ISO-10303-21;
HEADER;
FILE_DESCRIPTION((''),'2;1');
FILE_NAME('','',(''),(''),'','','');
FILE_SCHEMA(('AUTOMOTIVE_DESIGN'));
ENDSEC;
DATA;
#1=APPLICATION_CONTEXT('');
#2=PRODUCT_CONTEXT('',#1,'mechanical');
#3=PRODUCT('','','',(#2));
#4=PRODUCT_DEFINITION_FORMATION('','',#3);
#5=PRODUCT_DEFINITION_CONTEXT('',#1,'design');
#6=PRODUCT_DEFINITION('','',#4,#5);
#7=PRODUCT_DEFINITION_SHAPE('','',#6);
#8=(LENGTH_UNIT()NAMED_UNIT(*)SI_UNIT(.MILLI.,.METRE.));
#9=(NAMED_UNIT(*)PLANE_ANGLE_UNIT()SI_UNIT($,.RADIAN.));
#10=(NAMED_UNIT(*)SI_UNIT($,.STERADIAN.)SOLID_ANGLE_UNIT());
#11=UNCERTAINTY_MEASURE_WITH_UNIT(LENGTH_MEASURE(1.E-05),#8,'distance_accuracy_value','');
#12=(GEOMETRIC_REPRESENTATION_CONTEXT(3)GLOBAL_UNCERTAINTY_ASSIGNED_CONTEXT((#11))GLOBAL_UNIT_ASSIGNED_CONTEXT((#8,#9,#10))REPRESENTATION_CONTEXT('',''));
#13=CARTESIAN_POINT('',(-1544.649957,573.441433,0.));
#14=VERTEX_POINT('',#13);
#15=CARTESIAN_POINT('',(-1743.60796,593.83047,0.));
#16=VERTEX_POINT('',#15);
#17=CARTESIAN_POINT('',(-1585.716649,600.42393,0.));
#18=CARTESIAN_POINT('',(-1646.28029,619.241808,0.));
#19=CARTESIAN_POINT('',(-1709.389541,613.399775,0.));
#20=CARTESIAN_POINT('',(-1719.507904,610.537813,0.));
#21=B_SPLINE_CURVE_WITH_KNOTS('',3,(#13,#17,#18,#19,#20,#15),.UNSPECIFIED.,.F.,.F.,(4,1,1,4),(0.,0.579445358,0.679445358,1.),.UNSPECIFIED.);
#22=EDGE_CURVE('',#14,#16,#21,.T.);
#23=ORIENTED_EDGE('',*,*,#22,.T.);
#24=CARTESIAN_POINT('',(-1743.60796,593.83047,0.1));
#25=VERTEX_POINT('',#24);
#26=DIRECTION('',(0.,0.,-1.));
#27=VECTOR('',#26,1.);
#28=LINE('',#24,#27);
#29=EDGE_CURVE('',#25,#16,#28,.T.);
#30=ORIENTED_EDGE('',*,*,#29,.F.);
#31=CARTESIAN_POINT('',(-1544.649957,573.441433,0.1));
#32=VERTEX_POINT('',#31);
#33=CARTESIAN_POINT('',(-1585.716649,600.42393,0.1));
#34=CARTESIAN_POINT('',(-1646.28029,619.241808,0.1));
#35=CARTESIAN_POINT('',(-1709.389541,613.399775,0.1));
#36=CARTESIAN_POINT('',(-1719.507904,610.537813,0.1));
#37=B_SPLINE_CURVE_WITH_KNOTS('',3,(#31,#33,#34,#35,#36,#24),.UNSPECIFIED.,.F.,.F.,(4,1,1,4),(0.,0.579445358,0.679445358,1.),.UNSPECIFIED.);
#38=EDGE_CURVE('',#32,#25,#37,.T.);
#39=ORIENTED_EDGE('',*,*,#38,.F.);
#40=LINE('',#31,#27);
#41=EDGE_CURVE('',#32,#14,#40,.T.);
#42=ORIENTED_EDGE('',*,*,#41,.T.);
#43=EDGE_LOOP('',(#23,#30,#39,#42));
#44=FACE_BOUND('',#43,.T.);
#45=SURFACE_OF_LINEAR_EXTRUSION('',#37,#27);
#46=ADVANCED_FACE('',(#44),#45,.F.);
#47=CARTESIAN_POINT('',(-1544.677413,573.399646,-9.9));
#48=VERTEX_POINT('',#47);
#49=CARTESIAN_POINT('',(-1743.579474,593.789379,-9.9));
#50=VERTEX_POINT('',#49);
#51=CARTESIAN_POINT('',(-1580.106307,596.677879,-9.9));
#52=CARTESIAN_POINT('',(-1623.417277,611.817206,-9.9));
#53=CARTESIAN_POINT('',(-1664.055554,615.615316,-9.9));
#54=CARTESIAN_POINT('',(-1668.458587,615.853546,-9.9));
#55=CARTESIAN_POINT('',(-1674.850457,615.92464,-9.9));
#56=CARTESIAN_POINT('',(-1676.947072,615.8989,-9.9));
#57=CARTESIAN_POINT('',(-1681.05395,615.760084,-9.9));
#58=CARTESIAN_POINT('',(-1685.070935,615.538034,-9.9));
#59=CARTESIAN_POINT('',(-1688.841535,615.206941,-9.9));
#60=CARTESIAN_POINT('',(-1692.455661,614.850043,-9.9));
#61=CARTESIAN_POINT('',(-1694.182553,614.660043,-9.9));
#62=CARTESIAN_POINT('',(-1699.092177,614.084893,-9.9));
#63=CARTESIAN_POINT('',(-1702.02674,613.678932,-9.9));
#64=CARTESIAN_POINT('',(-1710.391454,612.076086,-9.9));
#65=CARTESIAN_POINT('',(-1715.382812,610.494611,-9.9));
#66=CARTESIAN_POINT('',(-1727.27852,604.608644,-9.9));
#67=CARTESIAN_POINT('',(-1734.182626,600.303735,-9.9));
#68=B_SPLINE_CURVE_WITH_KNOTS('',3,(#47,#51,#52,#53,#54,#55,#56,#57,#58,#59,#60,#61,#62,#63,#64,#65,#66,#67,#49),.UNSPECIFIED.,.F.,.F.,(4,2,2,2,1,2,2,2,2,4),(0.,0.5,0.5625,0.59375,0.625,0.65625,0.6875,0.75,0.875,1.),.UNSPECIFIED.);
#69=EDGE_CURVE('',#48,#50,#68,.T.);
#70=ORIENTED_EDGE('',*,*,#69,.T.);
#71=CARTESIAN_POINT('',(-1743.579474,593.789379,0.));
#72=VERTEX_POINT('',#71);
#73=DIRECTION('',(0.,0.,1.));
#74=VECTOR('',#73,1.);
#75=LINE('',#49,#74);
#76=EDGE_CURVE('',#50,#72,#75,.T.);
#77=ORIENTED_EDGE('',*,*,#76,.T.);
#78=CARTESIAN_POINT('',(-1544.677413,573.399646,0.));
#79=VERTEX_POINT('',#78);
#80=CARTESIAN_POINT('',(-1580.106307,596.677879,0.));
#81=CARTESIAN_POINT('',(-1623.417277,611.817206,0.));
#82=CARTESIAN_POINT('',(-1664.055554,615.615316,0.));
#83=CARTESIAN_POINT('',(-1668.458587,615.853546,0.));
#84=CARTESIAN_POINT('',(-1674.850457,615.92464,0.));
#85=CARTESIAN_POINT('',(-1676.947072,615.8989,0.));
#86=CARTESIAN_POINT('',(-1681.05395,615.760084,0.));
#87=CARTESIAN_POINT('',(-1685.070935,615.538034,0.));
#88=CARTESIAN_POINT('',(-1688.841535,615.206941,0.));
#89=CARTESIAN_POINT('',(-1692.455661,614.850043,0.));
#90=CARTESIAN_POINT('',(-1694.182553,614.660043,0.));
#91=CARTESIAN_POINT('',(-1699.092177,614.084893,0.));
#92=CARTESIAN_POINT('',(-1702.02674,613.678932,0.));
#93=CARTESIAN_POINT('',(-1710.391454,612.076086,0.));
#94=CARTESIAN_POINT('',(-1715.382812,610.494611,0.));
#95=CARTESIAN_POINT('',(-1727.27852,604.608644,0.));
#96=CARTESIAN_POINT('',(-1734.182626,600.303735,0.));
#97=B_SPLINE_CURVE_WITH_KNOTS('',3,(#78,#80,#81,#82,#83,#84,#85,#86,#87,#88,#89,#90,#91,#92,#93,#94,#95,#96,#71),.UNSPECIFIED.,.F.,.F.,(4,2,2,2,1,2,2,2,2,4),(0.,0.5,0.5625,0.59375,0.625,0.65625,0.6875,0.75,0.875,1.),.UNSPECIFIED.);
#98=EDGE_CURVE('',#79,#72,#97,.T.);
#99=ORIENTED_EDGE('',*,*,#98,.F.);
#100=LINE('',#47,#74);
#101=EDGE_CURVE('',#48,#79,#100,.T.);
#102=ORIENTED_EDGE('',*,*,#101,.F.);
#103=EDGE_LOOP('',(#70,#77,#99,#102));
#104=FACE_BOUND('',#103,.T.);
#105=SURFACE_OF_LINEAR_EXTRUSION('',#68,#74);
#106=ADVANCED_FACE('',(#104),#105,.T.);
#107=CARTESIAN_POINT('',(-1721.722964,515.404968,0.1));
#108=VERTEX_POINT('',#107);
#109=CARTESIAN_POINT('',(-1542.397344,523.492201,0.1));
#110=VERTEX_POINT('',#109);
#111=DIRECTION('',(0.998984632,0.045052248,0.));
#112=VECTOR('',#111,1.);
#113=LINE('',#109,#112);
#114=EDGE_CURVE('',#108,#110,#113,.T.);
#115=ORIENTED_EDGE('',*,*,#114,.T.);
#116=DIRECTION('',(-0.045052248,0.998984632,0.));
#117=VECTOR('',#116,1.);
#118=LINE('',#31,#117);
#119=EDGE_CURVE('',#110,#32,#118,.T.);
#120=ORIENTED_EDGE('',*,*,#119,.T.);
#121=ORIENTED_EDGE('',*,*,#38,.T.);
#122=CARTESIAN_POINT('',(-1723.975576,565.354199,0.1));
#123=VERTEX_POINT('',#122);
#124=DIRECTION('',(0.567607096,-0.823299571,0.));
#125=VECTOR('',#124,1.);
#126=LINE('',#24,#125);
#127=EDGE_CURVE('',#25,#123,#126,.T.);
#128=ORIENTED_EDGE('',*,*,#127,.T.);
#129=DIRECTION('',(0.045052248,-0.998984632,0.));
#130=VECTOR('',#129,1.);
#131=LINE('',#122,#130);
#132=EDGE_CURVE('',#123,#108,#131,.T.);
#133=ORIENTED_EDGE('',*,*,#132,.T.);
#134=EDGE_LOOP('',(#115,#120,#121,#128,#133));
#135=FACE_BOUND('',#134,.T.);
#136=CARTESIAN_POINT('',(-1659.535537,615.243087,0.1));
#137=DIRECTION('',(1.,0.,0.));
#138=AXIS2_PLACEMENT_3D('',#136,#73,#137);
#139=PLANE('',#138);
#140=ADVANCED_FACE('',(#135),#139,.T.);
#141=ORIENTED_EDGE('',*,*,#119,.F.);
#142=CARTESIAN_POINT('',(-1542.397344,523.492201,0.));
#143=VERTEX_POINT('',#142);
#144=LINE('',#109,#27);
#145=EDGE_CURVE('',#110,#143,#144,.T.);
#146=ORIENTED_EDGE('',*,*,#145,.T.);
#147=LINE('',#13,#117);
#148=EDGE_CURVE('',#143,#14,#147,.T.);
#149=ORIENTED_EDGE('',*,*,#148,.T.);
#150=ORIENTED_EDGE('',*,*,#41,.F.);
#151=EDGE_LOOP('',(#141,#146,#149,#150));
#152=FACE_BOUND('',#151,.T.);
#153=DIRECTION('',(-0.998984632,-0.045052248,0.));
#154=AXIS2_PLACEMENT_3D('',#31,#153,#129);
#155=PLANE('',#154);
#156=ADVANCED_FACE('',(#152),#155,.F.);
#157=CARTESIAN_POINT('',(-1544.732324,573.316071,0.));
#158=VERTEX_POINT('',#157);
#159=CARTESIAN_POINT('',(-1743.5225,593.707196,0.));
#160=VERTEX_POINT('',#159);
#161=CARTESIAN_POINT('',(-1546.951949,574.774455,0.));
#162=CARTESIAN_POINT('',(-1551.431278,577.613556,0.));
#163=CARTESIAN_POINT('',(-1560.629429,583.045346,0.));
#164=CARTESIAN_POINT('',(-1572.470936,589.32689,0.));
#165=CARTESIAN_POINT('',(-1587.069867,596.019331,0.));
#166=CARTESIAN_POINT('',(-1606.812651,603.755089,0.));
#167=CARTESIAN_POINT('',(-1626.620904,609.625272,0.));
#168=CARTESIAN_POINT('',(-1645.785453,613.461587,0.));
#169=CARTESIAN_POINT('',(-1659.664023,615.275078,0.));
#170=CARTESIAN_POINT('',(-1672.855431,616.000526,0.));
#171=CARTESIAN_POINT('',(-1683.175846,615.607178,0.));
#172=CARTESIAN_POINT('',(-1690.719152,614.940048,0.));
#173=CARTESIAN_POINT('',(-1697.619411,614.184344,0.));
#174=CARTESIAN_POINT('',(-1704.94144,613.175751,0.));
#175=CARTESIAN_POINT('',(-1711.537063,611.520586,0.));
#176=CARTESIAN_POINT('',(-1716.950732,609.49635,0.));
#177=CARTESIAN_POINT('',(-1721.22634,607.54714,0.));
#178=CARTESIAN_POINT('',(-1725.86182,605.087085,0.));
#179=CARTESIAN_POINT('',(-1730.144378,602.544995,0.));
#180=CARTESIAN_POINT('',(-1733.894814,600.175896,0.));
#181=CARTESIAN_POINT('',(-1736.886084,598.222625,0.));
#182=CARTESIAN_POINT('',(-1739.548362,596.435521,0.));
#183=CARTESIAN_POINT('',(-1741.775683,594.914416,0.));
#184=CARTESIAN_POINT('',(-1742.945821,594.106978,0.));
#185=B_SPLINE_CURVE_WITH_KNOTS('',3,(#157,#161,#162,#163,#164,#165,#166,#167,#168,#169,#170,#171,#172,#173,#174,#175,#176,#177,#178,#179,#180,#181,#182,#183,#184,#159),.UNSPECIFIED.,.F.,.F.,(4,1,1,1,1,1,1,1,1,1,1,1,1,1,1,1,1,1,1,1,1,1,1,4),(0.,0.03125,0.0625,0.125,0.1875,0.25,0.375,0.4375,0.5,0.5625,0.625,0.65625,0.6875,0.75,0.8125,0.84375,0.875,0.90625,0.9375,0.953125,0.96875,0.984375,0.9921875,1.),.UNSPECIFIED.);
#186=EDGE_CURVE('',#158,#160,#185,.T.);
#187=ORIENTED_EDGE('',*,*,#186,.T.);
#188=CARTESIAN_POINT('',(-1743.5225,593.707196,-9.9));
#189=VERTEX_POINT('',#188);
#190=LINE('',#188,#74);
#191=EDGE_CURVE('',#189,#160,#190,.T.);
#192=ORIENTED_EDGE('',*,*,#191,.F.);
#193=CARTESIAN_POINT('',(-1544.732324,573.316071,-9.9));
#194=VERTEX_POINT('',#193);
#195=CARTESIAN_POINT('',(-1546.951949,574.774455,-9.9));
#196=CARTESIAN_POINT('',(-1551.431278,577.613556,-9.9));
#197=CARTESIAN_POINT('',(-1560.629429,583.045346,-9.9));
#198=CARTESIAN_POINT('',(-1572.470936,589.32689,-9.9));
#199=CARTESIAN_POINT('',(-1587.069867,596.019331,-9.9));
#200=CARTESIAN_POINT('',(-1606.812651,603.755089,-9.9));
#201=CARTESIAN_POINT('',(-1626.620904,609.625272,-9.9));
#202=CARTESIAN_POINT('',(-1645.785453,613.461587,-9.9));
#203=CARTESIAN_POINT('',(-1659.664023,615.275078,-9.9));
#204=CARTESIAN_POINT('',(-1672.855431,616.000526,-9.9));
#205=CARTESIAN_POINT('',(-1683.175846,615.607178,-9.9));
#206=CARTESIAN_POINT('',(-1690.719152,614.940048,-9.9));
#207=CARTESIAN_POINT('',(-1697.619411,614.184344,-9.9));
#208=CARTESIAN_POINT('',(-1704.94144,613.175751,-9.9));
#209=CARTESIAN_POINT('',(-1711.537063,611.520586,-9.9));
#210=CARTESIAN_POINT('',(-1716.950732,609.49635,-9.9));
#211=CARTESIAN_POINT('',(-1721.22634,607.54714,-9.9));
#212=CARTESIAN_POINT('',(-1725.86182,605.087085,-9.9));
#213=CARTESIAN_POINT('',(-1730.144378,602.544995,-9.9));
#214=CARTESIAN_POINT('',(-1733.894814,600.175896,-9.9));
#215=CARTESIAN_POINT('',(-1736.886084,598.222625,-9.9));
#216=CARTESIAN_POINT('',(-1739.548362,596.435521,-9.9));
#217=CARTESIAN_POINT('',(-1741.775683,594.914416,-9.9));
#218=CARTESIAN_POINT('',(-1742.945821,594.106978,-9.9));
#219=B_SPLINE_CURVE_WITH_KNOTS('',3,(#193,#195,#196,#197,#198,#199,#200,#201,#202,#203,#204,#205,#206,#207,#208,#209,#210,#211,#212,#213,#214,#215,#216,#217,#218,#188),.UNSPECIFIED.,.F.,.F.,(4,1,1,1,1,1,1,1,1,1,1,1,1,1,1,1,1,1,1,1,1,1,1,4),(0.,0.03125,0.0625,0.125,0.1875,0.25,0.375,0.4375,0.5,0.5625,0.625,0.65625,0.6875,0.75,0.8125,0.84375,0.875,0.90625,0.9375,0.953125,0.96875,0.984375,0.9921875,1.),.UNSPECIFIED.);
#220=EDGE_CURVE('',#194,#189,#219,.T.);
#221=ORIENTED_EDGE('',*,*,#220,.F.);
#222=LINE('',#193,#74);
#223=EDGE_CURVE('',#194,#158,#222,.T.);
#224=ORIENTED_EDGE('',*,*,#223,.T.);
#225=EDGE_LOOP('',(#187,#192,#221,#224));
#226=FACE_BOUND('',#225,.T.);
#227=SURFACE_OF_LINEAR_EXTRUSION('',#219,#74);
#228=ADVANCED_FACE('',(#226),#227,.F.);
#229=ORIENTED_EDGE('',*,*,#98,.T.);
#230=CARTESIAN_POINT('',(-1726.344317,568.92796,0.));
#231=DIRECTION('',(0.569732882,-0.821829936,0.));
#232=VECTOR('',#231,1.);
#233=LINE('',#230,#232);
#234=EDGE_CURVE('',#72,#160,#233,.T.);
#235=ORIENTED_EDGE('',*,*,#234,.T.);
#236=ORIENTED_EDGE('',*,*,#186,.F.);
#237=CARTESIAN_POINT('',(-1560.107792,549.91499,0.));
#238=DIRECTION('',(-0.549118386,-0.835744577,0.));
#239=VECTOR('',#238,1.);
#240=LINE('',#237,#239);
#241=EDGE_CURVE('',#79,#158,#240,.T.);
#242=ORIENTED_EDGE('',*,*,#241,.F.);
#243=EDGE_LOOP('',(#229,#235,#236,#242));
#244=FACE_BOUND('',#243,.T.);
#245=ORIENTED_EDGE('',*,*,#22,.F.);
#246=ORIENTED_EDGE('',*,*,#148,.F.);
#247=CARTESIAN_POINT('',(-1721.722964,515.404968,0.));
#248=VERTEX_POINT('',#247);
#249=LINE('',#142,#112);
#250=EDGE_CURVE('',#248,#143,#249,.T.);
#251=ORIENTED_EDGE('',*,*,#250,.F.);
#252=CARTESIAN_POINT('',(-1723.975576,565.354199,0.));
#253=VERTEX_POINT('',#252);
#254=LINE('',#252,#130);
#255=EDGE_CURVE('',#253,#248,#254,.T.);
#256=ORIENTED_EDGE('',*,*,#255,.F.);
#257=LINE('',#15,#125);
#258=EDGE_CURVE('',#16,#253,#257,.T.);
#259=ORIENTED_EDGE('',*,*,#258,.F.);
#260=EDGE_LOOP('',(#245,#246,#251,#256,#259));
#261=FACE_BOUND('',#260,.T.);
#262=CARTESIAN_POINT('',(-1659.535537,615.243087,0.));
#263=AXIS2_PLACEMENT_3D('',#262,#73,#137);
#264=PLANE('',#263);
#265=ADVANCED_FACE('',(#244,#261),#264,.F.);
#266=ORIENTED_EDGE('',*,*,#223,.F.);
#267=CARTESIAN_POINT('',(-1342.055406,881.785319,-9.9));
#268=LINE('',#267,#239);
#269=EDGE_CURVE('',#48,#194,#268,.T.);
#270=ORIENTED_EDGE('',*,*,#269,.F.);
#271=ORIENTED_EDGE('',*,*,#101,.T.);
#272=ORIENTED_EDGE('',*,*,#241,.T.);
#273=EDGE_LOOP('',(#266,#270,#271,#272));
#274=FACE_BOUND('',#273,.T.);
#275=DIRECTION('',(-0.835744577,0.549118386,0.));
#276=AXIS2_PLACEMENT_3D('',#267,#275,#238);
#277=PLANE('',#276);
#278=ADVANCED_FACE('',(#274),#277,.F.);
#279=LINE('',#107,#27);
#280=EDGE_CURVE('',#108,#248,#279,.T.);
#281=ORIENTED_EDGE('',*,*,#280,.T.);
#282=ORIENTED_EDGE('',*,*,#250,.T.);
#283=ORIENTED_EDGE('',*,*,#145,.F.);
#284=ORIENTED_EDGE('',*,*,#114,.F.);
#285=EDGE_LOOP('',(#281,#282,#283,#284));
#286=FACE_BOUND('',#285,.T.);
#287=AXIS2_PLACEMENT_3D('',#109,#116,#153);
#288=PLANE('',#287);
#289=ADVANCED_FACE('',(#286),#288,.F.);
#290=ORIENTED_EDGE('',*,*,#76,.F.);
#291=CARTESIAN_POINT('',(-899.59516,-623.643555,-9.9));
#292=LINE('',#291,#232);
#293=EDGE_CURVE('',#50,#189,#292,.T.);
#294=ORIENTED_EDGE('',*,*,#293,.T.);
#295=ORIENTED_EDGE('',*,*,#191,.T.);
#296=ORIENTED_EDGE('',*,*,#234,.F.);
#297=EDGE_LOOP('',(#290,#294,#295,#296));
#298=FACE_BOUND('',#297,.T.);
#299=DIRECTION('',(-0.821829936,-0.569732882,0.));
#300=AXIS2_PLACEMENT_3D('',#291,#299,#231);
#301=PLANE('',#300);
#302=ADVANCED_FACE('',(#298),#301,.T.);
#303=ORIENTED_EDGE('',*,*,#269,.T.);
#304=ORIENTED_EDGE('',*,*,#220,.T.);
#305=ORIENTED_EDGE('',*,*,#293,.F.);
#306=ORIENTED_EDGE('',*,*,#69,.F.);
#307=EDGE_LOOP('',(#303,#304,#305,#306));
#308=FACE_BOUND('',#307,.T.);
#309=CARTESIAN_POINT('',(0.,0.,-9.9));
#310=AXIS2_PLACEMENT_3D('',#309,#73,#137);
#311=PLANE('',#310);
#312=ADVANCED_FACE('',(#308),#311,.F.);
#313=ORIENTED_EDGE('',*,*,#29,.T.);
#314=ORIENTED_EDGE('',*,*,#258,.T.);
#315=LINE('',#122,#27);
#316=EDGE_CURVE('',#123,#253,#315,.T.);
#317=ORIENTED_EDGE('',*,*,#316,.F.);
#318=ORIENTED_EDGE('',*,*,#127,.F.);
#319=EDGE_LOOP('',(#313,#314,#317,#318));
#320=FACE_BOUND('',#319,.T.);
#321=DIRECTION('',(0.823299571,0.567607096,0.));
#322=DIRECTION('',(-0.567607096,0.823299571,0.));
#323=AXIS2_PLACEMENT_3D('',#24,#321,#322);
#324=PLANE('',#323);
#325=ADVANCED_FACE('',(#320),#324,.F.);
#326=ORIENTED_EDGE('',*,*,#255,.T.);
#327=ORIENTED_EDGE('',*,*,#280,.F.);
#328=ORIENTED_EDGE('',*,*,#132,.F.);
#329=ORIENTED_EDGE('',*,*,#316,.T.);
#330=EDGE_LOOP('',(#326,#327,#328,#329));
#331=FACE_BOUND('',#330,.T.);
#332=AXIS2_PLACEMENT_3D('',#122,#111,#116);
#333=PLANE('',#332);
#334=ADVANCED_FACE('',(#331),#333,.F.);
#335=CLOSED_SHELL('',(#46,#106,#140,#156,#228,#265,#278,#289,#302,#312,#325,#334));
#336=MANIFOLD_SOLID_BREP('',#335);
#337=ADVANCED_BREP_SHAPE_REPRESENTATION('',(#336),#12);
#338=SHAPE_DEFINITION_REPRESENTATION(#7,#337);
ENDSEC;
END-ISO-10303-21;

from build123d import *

# Parameters (mm, degrees)
BOSS_EXTRUDE1_DEPTH = 0.1
BOSS_EXTRUDE2_DEPTH = 10


with BuildPart() as part:
    # Sketch1 → Boss-Extrude1 (new body)
    with BuildSketch(Plane.XY):
        with BuildLine():
            Line((-1544.649956659, 573.44143308), (-1542.397344254, 523.492201481))
            Line((-1542.397344254, 523.492201481), (-1721.722963635, 515.404967666))
            Line((-1721.722963635, 515.404967666), (-1723.97557604, 565.354199265))
            Line((-1723.97557604, 565.354199265), (-1743.607960183, 593.830470178))
            add(Edge.make_bspline(
                [(-1743.607960183, 593.830470178), (-1719.507904213, 610.537812828), (-1709.389541143, 613.399774739), (-1646.280289738, 619.241808081), (-1585.716648888, 600.423930323), (-1544.649956659, 573.44143308)],
                knots=[0, 0, 0, 0, 0.320554642, 0.420554642, 1, 1, 1, 1], degree=3))
        make_face()
    extrude(amount=BOSS_EXTRUDE1_DEPTH)

    # Sketch2 → Boss-Extrude2 (add)
    with BuildSketch(Plane.XY.offset(0.1)):
        with BuildLine():
            Line((-1544.677412579, 573.399645851), (-1544.732324417, 573.316071394))
            add(Edge.make_bspline(
                [(-1544.732324417, 573.316071394), (-1546.951948835, 574.774455463), (-1551.43127801, 577.613556033), (-1560.629429442, 583.045346231), (-1572.470935952, 589.326889692), (-1587.069867375, 596.019330748), (-1606.812651261, 603.755089396), (-1626.620904389, 609.625271881), (-1645.785452529, 613.461587482), (-1659.664022733, 615.275078476), (-1672.855430865, 616.000525973), (-1683.17584634, 615.607177853), (-1690.719151522, 614.940047919), (-1697.619410573, 614.184343593), (-1704.94143994, 613.175751133), (-1711.537062872, 611.520585877), (-1716.950731756, 609.496349748), (-1721.226339774, 607.54713974), (-1725.861820037, 605.087085053), (-1730.144377714, 602.544994912), (-1733.894814235, 600.175895508), (-1736.886084267, 598.222624564), (-1739.548362017, 596.435520579), (-1741.775682708, 594.914415574), (-1742.945821332, 594.106977842), (-1743.522500251, 593.707195687)],
                knots=[0, 0, 0, 0, 0.03125, 0.0625, 0.125, 0.1875, 0.25, 0.375, 0.4375, 0.5, 0.5625, 0.625, 0.65625, 0.6875, 0.75, 0.8125, 0.84375, 0.875, 0.90625, 0.9375, 0.953125, 0.96875, 0.984375, 0.9921875, 1, 1, 1, 1], degree=3))
            Line((-1743.522500251, 593.707195687), (-1743.579473539, 593.789378681))
            add(Edge.make_bspline(
                [(-1544.677412579, 573.399645851), (-1580.106306882, 596.677879158), (-1623.417276611, 611.817205851), (-1664.055554326, 615.615316249), (-1668.458587485, 615.853546332), (-1674.850456886, 615.924640206), (-1676.947072346, 615.898899542), (-1681.053950245, 615.760083504), (-1685.070934683, 615.538033819), (-1688.841535286, 615.206941309), (-1692.455660822, 614.85004283), (-1694.182553399, 614.660043123), (-1699.092177305, 614.084892783), (-1702.026740338, 613.678931579), (-1710.391454065, 612.076086015), (-1715.382812403, 610.494610736), (-1727.278520434, 604.6086441), (-1734.182625539, 600.30373531), (-1743.579473539, 593.789378681)],
                knots=[0, 0, 0, 0, 0.5, 0.5, 0.5625, 0.5625, 0.59375, 0.59375, 0.625, 0.65625, 0.65625, 0.6875, 0.6875, 0.75, 0.75, 0.875, 0.875, 1, 1, 1, 1], degree=3))
        make_face()
    extrude(amount=-BOSS_EXTRUDE2_DEPTH)


solid = part.part
